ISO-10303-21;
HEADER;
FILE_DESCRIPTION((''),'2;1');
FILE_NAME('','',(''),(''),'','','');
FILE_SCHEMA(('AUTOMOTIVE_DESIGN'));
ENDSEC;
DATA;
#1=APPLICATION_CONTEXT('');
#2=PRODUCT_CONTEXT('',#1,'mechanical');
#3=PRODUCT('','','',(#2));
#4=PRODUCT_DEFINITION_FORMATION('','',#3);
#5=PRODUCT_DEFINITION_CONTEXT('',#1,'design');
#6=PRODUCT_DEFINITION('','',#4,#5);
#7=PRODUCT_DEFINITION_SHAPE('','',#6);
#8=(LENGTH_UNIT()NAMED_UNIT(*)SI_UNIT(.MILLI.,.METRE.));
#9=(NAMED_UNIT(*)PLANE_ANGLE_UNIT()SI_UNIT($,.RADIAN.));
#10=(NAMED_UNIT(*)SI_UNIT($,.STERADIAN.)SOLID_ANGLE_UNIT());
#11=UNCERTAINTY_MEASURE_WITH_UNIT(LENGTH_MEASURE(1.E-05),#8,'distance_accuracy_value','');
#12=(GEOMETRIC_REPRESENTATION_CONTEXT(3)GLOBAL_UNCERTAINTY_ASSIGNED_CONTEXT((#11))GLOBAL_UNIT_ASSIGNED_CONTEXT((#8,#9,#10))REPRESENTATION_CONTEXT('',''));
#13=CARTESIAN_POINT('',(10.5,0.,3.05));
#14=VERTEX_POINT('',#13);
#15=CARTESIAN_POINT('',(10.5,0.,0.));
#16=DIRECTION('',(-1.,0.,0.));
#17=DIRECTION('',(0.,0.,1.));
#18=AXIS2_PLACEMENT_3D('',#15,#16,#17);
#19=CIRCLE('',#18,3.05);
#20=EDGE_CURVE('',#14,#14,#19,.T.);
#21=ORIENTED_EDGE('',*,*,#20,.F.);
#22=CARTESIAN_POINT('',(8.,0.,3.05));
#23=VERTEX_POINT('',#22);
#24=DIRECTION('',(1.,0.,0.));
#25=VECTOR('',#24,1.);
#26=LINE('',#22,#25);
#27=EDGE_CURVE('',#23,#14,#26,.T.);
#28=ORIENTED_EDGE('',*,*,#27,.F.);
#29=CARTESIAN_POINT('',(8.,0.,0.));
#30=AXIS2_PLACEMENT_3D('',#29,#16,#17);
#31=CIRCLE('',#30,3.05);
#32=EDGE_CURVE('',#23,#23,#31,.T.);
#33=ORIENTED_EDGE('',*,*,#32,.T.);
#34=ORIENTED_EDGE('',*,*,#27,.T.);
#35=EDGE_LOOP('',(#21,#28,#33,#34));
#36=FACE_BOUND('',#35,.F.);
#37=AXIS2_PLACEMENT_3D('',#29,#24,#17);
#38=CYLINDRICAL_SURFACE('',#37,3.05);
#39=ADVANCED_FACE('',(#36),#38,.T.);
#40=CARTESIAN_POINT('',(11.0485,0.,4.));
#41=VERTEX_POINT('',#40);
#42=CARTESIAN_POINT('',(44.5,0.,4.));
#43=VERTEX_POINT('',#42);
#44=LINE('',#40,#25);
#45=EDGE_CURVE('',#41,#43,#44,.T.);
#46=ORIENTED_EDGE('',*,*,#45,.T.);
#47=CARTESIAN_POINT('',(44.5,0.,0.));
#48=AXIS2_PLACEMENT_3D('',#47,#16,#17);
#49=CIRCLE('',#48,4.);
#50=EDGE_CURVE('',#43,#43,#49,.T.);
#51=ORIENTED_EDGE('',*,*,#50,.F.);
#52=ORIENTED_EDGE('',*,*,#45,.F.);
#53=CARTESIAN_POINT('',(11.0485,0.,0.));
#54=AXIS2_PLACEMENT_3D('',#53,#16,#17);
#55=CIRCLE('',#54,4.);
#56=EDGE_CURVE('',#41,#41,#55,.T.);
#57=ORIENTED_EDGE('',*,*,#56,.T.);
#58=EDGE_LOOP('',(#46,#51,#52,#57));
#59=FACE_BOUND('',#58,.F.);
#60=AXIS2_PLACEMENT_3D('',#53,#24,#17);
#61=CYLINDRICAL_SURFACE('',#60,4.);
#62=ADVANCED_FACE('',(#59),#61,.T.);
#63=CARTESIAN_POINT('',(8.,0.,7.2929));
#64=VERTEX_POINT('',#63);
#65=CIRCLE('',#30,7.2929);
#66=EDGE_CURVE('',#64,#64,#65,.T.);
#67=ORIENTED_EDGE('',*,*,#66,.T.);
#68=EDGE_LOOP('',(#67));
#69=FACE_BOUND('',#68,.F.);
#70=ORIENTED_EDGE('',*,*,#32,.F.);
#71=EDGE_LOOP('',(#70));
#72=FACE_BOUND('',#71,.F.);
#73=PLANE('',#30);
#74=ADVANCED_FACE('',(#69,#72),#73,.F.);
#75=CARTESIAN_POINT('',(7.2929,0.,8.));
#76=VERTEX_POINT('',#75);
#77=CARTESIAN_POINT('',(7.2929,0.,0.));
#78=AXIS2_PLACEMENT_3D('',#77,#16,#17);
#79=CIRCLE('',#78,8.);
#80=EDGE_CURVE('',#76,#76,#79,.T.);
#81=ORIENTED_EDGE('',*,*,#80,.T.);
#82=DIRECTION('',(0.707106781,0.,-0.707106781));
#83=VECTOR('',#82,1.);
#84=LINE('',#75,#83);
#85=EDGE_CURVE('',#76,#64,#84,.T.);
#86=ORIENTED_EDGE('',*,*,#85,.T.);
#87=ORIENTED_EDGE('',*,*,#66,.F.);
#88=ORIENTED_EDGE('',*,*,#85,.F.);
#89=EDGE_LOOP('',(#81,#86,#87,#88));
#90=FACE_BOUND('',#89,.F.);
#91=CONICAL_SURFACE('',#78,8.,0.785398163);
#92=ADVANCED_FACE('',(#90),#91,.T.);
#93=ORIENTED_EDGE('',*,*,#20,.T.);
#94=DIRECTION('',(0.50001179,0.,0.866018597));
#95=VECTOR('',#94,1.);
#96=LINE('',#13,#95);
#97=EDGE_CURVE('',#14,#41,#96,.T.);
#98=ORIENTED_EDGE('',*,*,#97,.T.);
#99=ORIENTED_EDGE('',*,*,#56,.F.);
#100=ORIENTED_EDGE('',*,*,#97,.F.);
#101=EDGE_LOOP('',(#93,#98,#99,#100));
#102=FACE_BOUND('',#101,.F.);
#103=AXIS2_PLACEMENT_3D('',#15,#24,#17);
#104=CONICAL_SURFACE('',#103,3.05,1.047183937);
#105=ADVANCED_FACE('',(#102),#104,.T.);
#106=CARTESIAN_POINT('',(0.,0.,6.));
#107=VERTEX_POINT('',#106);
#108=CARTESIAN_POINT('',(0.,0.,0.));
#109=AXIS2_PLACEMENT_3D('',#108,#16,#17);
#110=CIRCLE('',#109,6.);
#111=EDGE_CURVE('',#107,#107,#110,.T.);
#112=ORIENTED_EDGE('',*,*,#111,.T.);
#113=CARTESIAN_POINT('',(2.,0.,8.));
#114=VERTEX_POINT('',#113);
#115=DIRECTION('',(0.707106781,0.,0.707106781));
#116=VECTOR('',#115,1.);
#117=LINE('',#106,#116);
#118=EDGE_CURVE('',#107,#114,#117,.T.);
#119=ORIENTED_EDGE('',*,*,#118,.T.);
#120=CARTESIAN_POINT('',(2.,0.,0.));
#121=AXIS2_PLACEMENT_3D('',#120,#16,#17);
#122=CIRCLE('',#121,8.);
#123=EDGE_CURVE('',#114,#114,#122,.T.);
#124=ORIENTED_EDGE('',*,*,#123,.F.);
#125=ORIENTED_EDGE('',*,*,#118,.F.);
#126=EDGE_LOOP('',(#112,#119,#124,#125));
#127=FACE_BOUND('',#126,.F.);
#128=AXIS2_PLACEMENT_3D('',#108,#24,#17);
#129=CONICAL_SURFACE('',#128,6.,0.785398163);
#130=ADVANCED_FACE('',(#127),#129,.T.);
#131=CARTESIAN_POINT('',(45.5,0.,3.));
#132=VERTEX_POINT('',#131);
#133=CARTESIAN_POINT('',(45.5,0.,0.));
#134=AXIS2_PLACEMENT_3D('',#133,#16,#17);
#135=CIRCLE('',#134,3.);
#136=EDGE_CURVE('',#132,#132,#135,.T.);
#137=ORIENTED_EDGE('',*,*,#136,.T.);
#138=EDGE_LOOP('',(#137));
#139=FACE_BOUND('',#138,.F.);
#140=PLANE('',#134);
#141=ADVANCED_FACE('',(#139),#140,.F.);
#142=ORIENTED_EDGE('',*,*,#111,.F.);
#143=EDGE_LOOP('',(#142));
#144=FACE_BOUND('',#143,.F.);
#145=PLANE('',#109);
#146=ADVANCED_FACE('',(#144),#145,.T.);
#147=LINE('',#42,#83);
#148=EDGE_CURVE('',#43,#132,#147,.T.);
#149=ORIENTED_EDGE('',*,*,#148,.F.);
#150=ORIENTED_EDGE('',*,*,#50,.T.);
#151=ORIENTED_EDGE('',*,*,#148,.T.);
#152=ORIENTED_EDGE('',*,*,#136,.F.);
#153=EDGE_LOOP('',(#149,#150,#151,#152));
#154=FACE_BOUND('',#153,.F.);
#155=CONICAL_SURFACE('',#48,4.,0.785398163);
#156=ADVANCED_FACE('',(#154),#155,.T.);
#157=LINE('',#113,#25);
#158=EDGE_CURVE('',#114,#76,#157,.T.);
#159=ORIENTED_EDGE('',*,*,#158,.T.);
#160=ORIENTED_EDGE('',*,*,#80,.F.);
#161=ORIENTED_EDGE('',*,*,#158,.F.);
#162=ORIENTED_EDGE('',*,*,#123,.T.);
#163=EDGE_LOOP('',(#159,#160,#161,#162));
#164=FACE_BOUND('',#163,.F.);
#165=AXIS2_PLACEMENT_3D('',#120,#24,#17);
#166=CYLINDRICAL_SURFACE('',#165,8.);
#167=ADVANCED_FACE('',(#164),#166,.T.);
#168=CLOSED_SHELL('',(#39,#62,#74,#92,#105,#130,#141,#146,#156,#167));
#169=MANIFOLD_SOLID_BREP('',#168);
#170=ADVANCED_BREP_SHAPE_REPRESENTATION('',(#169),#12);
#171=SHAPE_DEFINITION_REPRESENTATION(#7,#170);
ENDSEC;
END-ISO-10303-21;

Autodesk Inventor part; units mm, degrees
ref_plane "YZ Plane" through (0, 0, 0) normal (1, 0, 0) x (0, 1, 0)
ref_plane "XZ Plane" through (0, 0, 0) normal (0, 1, 0) x (-1, 0, 0)
ref_plane "XY Plane" through (0, 0, 0) normal (0, 0, 1) x (1, 0, 0)
sketch "Sketch1" plane through (0, 0, 0) normal (0, 1, 0) x (-1, 0, 0)
  line L0 (-59.15, 0) -> (4.55, 0) projected
  line L1 (0, -0.8) -> (0, 10.4) projected
  line L2 (0, 0) -> (0, 6)
  line L3 (0, 6) -> (-2, 8)
  line L4 (-2, 8) -> (-7.2929, 8)
  line L5 (-7.2929, 8) -> (-8, 7.2929)
  line L6 (-8, 7.2929) -> (-8, 3.05)
  line L7 (-8, 3.05) -> (-10.5, 3.05)
  line L8 (-10.5, 3.05) -> (-11.0485, 4)
  line L9 (-11.0485, 4) -> (-44.5, 4)
  line L10 (-44.5, 4) -> (-45.5, 3)
  line L11 (-45.5, 3) -> (-45.5, 0)
  line L12 (-45.5, 0) -> (0, 0)
  dimension "d0" = 2
  dimension "d1" = 8
  dimension "d2" = 45
  dimension "d3" = 8
  dimension "d5" = 2.5
  dimension "d6" = 3.05
  dimension "d8" = 1
  dimension "d10" = 4
  dimension "d11" = 45.5
  dimension "d12" = 2
  dimension "d13" = 60
  dimension "d14" = 1
  dimension "d15" = 1
revolve "Revolution1" add sketch "Sketch1" angle 360 about axis through (45.5, 0, 0) along (-1, 0, 0)
properties part number "Screw Adjust"
